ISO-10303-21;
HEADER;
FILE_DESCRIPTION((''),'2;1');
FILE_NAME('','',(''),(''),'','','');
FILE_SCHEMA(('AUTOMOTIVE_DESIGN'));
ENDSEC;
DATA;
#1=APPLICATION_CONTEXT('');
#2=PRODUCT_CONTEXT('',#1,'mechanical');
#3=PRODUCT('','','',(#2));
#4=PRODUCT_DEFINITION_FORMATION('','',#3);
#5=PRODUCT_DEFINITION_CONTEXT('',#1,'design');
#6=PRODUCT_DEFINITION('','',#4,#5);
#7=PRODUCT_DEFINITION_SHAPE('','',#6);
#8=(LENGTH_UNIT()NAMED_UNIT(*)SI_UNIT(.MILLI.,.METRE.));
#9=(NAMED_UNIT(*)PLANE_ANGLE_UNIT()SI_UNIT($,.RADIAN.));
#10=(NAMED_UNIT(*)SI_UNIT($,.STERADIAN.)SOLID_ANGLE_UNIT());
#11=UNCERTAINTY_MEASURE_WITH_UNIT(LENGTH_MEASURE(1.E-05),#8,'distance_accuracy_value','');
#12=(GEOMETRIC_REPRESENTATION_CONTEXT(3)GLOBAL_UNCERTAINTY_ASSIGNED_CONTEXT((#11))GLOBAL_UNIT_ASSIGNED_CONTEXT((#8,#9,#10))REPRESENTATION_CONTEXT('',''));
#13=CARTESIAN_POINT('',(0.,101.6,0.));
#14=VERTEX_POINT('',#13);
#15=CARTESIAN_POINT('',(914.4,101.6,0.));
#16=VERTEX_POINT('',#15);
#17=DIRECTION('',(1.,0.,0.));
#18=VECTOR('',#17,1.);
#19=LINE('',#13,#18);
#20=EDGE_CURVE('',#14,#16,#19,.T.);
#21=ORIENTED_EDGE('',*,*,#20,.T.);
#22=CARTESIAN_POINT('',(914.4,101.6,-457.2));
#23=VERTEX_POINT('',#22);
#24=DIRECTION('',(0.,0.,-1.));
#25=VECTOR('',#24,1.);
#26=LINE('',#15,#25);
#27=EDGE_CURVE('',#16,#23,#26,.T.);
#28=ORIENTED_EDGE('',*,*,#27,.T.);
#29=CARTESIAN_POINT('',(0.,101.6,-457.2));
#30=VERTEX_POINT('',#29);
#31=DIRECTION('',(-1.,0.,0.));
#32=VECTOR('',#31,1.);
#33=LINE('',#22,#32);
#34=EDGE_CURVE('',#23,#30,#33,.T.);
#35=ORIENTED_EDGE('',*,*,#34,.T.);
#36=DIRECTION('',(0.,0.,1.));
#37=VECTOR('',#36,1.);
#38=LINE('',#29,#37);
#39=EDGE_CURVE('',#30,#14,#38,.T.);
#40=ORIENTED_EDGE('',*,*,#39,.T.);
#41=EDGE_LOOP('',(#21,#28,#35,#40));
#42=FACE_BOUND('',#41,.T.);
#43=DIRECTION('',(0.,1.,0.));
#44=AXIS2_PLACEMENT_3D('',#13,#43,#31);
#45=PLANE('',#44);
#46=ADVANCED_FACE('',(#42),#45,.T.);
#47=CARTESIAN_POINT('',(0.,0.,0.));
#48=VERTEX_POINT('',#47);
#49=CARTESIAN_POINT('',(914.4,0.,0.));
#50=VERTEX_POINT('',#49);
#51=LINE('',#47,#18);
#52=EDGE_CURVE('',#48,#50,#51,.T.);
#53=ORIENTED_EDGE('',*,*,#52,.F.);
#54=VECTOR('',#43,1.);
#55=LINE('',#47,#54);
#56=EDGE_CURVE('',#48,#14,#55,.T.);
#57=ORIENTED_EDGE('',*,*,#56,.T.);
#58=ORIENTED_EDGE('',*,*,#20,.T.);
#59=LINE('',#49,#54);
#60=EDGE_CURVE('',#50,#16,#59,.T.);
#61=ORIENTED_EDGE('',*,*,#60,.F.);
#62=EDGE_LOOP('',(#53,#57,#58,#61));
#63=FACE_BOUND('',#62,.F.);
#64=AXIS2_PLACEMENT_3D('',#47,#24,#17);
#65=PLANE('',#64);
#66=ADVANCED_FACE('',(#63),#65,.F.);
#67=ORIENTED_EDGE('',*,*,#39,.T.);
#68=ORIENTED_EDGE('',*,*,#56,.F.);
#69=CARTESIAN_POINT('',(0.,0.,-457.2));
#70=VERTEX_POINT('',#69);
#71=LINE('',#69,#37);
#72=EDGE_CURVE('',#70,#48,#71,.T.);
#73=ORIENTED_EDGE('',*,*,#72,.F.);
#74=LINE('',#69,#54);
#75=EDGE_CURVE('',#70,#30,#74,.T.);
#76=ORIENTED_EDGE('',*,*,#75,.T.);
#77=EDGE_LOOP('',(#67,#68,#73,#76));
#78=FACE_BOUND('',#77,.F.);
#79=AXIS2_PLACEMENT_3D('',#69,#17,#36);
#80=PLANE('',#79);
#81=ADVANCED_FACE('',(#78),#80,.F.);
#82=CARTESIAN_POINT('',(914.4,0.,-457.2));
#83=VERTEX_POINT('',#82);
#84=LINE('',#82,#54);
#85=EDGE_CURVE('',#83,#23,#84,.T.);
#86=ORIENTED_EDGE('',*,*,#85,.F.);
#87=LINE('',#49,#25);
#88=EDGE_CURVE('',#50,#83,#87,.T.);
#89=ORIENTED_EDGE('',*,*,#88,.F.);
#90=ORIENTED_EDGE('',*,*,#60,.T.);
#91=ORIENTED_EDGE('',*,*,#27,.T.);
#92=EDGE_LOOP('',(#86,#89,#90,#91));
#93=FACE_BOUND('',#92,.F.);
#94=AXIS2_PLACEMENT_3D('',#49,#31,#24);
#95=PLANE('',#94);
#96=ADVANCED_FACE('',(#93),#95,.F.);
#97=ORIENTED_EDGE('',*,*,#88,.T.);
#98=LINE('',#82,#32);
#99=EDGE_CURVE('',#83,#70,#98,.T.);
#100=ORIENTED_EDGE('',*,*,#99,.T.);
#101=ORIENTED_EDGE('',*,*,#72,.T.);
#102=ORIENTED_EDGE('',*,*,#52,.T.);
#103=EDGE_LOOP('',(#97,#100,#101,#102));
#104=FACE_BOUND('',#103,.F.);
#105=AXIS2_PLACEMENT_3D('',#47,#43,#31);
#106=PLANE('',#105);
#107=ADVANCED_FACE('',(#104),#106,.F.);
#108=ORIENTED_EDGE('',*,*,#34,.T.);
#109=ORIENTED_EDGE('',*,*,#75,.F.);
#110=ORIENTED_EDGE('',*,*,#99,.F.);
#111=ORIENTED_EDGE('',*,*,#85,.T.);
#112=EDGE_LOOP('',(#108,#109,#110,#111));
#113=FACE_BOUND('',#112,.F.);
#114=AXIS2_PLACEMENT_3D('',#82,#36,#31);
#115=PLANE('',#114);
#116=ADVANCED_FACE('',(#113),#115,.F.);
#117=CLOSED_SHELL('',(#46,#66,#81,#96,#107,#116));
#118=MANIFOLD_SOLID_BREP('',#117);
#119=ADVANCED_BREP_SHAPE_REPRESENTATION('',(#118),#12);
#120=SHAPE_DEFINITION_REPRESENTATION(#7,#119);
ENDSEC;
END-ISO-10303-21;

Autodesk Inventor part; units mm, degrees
ref_plane "YZ Plane" through (0, 0, 0) normal (1, 0, 0) x (0, 1, 0)
ref_plane "XZ Plane" through (0, 0, 0) normal (0, 1, 0) x (-1, 0, 0)
ref_plane "XY Plane" through (0, 0, 0) normal (0, 0, 1) x (1, 0, 0)
sketch "Sketch2" plane through (0, 0, 0) normal (0, 1, 0) x (-1, 0, 0)
  line L0 (0, 0) -> (-914.4, 0)
  line L1 (-914.4, 0) -> (-914.4, -457.2)
  line L2 (-914.4, -457.2) -> (0, -457.2)
  line L3 (0, -457.2) -> (0, 0)
  dimension "d3" = 914.4
  dimension "d4" = 457.2
extrude "Extrusion1" add sketch "Sketch2" along normal blind 101.6
properties part number "Tread"
